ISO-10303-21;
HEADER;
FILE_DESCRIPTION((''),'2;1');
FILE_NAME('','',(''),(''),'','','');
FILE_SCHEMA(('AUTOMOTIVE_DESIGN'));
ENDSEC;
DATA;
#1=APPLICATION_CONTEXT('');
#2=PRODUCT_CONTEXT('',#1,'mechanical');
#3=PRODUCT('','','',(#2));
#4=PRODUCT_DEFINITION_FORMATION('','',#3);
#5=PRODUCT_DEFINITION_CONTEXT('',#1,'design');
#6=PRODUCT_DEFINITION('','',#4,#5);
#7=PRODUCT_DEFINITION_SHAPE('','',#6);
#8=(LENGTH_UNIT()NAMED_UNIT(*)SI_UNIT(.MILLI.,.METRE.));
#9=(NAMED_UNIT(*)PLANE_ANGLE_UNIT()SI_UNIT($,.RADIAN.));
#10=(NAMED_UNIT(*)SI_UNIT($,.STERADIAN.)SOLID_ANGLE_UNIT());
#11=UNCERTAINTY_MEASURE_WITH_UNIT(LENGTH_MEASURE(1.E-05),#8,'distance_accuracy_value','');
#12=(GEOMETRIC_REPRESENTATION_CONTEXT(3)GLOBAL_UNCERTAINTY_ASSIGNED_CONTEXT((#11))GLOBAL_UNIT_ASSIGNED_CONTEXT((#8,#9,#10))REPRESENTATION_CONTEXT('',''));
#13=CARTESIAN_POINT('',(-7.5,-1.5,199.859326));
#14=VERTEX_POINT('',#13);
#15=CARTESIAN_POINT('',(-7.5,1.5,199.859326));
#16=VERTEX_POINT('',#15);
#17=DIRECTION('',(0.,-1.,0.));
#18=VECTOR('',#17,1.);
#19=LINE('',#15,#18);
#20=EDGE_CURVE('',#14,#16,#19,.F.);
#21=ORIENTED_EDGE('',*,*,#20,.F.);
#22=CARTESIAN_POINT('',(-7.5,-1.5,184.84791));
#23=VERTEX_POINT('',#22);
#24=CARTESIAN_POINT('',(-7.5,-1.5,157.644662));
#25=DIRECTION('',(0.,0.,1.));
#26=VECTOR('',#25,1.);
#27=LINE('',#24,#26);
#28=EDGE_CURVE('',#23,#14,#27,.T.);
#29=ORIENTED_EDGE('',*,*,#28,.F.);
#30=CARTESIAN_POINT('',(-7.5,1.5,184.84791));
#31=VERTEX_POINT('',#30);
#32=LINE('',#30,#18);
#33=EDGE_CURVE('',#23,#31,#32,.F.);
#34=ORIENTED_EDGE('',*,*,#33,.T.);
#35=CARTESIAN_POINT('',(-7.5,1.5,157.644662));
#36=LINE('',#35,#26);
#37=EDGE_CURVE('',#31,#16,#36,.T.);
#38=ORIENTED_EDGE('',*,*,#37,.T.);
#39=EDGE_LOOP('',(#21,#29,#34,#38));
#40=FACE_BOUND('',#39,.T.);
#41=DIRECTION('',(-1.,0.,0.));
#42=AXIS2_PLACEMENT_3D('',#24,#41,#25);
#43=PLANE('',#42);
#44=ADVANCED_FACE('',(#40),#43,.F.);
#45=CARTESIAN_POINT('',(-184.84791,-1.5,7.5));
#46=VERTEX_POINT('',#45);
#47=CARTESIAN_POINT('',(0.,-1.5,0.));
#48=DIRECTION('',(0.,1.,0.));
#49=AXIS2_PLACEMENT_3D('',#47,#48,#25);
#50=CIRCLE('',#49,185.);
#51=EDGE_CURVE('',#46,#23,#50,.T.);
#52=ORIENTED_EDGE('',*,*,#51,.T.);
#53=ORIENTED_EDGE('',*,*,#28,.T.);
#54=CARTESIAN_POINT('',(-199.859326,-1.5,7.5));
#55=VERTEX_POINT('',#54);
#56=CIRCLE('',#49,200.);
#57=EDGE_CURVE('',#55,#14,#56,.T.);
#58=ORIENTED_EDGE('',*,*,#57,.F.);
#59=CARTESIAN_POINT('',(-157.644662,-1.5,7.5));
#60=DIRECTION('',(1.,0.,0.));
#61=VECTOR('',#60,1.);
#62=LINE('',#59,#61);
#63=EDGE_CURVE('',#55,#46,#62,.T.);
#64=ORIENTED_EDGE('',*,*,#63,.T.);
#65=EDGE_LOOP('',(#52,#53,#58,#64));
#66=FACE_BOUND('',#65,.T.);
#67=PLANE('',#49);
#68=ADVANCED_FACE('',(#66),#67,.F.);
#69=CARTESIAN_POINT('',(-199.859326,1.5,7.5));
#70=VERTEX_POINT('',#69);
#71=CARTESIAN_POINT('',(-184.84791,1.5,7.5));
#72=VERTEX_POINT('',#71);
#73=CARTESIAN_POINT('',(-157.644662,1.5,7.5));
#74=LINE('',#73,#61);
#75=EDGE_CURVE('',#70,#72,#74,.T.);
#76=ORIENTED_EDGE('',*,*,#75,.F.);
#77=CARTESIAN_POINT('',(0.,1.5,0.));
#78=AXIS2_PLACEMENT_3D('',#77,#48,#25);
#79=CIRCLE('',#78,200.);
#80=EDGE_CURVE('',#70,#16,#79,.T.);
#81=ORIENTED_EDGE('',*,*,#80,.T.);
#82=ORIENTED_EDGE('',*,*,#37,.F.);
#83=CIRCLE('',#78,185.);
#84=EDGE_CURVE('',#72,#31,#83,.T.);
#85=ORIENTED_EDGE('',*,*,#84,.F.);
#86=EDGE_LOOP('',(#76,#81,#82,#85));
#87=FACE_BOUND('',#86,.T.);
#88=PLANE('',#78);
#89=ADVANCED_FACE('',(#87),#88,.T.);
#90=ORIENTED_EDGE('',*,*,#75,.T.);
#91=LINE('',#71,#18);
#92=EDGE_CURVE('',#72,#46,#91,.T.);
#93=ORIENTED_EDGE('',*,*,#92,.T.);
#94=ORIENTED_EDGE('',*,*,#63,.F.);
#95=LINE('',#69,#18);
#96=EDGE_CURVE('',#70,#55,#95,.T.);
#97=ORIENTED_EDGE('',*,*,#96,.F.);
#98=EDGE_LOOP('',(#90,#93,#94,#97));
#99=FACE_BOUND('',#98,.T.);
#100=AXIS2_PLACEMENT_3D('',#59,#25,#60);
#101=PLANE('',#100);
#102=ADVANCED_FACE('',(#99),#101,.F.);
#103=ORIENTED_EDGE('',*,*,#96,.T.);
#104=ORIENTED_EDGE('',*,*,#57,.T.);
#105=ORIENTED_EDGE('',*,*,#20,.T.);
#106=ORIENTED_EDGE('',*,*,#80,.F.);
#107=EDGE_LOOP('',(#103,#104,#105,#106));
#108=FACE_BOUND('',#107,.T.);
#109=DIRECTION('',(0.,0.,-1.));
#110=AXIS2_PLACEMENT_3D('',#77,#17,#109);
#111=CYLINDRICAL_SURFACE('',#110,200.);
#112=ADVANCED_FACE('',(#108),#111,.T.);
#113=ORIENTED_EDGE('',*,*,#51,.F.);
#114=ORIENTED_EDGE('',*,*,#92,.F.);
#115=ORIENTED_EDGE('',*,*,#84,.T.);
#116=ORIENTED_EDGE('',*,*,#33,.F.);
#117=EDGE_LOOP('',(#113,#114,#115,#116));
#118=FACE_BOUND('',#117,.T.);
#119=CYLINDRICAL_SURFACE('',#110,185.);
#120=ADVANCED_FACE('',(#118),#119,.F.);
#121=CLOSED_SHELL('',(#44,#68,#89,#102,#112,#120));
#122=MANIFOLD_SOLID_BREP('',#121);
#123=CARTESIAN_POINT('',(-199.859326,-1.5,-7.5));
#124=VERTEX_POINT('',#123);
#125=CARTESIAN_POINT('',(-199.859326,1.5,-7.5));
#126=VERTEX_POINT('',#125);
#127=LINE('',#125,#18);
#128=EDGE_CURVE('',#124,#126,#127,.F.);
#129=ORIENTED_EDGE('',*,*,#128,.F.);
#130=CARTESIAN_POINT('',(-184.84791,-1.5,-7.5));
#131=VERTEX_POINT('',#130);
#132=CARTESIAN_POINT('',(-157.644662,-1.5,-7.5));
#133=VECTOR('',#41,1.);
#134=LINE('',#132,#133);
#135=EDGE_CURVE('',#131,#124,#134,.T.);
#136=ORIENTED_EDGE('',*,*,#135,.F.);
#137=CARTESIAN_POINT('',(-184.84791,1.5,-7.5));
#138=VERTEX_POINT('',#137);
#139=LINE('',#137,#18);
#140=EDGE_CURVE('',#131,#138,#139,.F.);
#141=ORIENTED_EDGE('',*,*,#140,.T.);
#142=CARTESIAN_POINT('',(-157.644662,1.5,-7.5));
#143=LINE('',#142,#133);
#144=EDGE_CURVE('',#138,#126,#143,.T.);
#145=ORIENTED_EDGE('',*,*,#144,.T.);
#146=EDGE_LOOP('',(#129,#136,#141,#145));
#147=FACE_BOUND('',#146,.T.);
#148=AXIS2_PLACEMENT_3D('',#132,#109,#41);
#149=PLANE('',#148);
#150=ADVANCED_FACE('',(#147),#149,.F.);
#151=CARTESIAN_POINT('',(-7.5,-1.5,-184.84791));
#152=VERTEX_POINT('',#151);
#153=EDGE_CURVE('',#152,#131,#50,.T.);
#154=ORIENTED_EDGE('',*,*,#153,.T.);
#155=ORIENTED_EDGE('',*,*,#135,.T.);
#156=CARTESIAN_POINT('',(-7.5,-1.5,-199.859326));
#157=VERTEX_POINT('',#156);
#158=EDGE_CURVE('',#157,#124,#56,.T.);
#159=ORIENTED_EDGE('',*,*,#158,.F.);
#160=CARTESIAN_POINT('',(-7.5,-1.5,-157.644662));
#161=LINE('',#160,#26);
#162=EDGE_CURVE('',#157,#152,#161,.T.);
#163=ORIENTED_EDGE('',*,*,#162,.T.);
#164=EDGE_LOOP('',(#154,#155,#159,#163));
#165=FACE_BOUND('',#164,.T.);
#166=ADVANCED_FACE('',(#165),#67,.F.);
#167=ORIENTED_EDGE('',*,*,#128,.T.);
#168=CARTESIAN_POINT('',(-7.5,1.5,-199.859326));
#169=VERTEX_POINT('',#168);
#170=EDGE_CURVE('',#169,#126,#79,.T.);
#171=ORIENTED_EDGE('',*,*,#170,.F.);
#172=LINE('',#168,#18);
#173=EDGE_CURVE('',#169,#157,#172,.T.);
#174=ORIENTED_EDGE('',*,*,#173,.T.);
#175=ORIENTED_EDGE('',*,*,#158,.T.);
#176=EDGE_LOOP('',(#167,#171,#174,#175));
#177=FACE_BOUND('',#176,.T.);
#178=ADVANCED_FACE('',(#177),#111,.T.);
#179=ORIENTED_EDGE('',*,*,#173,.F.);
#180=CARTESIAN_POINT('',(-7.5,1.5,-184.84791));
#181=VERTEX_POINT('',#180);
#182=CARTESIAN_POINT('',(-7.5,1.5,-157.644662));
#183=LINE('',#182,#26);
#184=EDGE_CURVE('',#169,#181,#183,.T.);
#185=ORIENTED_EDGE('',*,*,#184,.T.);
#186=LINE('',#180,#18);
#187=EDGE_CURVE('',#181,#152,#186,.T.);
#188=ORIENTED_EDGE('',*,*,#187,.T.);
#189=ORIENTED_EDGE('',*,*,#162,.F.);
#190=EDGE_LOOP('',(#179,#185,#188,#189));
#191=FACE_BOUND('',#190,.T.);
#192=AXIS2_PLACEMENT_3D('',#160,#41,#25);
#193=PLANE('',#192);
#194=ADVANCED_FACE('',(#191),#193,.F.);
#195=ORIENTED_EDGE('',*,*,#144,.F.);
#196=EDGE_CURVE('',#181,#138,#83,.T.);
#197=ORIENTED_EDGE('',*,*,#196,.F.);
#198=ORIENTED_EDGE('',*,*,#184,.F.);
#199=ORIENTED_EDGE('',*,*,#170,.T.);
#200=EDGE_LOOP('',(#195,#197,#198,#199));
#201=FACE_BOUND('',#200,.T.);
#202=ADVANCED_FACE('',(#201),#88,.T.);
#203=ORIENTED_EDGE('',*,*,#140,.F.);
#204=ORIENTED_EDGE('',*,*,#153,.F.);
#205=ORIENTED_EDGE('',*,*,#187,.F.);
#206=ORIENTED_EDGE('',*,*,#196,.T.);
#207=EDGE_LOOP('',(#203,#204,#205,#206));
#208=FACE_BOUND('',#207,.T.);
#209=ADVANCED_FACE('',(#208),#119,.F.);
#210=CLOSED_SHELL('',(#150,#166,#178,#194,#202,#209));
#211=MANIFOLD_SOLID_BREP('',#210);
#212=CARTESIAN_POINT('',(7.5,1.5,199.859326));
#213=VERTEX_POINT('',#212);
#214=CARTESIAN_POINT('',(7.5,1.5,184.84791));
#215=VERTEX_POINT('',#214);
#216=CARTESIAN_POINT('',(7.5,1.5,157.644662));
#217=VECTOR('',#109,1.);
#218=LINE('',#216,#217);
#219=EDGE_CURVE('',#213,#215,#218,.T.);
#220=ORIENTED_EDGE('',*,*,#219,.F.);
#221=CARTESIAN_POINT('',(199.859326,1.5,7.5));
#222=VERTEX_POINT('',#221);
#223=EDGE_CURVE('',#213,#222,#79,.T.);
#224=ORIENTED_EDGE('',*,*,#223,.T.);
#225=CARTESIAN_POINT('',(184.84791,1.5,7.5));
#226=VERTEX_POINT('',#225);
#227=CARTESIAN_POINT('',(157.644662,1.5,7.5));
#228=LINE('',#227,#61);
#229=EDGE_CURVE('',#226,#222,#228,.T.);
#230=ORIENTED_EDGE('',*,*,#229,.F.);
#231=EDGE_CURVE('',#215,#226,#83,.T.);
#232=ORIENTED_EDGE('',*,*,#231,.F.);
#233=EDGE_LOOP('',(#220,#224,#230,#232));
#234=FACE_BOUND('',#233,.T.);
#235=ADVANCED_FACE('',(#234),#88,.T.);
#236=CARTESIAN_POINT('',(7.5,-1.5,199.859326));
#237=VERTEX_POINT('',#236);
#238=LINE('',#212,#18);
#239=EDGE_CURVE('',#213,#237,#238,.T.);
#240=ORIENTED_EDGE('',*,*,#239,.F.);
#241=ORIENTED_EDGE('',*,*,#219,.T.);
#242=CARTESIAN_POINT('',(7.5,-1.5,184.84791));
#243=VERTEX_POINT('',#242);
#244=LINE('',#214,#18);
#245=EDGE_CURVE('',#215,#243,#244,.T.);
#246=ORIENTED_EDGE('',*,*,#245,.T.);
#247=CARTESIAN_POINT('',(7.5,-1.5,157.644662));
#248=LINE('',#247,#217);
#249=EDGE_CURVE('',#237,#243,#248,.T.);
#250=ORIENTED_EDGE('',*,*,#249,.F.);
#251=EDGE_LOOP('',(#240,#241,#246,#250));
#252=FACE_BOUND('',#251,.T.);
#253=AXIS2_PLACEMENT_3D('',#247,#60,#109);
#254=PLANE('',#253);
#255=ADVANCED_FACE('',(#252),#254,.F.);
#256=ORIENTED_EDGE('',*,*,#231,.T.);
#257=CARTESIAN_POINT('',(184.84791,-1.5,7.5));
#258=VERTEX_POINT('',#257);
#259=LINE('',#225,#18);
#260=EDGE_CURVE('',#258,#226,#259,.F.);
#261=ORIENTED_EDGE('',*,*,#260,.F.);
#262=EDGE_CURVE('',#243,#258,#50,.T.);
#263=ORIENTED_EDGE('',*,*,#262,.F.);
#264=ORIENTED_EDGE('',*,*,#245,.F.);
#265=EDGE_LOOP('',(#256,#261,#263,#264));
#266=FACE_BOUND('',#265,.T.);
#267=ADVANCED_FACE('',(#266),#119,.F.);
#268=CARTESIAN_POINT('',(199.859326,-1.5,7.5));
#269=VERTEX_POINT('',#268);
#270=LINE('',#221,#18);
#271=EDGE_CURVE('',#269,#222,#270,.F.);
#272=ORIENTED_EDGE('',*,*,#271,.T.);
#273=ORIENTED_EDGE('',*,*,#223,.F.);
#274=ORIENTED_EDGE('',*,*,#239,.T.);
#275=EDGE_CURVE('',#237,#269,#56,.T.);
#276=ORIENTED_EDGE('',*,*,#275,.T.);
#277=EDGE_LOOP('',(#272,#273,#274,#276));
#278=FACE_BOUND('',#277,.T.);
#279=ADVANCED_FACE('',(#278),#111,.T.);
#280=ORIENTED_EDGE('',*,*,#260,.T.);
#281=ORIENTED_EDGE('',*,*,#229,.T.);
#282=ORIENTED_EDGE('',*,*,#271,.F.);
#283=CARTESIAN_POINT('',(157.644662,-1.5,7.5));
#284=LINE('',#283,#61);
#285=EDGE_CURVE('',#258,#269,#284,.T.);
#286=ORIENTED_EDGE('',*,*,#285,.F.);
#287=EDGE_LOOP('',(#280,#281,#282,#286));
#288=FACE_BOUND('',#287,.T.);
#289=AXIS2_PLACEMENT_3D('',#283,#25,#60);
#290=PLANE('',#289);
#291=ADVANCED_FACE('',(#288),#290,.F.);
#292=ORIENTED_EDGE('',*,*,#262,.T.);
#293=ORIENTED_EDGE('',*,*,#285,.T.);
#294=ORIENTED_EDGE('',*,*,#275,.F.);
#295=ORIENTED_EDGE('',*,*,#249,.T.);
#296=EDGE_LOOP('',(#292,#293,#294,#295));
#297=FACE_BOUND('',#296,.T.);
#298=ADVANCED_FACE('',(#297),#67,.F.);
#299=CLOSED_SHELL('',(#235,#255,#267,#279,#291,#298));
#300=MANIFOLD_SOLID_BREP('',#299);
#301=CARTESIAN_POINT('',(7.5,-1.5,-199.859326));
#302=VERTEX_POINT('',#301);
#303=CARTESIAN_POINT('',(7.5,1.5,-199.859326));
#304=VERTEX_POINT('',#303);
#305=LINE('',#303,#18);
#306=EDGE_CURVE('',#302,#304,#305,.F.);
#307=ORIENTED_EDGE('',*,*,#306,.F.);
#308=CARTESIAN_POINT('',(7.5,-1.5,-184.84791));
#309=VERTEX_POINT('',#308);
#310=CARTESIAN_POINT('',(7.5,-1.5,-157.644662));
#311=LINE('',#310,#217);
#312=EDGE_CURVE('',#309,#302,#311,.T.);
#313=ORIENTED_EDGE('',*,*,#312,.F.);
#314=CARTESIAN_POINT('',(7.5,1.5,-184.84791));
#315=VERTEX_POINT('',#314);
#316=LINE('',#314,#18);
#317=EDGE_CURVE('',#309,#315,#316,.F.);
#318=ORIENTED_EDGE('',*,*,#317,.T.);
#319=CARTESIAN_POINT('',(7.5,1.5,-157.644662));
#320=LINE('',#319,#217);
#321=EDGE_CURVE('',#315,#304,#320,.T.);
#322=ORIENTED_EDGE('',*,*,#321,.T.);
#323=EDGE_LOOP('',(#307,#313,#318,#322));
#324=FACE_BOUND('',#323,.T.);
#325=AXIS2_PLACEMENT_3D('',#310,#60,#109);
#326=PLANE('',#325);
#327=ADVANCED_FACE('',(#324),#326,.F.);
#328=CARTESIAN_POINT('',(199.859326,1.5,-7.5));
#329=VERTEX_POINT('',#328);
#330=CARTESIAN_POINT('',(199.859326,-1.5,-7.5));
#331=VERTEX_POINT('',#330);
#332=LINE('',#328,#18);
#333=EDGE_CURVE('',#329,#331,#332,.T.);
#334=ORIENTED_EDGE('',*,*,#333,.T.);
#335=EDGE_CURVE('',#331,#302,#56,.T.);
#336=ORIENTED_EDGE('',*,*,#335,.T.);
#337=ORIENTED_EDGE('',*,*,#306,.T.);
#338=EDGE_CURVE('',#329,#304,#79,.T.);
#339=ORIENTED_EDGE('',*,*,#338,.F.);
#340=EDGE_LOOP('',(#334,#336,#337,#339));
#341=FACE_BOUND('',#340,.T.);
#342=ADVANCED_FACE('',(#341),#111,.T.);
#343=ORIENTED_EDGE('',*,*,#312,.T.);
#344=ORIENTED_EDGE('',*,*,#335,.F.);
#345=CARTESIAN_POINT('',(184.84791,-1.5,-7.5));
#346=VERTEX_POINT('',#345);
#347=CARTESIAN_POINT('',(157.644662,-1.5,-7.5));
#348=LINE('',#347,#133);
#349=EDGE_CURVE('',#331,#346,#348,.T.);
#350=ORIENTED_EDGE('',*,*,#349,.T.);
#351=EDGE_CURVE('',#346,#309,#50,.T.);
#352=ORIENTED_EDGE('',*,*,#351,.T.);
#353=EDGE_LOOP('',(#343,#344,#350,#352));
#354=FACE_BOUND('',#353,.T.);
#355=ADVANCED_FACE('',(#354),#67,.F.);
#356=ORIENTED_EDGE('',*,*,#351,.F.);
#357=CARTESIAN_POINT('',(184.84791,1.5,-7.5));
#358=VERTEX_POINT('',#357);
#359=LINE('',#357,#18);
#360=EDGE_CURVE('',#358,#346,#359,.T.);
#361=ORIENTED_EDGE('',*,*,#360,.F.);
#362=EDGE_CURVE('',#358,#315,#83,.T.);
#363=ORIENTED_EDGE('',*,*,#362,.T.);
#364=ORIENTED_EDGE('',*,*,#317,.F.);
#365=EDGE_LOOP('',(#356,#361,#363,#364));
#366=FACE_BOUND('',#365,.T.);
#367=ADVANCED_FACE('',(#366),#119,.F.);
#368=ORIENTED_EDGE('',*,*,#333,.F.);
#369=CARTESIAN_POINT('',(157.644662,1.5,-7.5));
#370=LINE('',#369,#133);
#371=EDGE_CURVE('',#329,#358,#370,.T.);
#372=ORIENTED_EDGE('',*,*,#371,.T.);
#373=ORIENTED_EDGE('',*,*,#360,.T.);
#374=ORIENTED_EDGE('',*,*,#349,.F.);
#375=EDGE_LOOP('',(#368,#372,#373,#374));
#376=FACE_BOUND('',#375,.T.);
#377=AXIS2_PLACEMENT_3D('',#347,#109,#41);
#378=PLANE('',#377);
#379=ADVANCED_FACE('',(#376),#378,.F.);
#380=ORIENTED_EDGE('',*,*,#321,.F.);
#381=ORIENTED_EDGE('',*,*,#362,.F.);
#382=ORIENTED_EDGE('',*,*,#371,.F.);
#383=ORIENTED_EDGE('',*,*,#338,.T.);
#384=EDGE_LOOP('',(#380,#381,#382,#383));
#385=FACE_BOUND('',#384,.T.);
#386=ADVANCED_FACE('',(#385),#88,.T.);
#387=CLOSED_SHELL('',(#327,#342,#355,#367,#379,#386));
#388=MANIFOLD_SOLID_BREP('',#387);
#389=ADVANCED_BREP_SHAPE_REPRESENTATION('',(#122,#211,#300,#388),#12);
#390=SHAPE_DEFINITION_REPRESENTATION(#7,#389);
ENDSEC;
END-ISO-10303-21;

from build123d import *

# Parameters (mm, degrees)
SKETCH1_R           = 200
SKETCH1_R_2         = 185
BOSS_EXTRUDE1_DEPTH = 1.5
SKETCH2_W           = 69.71067633
SKETCH2_H           = 15
CUT_EXTRUDE1_DEPTH  = 283.846689922
CIRPATTERN1_COUNT   = 4


with BuildPart() as part:
    # Sketch1 → Boss-Extrude1 (new, symmetric)
    with BuildSketch(Plane(origin=(0, 0, 0), x_dir=(1, 0, 0), z_dir=(0, 1, 0))):
        with Locations(Location((0, 0, 0), (0, 0, 270))):
            Circle(SKETCH1_R)
        with Locations(Location((0, 0, 0), (0, 0, 270))):
            Circle(SKETCH1_R_2, mode=Mode.SUBTRACT)
    extrude(amount=BOSS_EXTRUDE1_DEPTH, both=True)

    # Sketch2 → Cut-Extrude1 (cut, symmetric)
    with BuildSketch(Plane(origin=(0, 0, 0), x_dir=(1, 0, 0), z_dir=(0, 1, 0))):
        with Locations((192.5, 0)):
            Rectangle(SKETCH2_W, SKETCH2_H)
    cut_extrude1 = extrude(amount=CUT_EXTRUDE1_DEPTH, both=True, mode=Mode.SUBTRACT)

    # CirPattern1: Cut-Extrude1 ×4 about axis
    cirpattern1_axis = Axis((0, 0, 0), (0, 1, 0))
    for i in range(1, CIRPATTERN1_COUNT):
        add(cut_extrude1.rotate(cirpattern1_axis, i * 360 / CIRPATTERN1_COUNT), mode=Mode.SUBTRACT)


solid = part.part
